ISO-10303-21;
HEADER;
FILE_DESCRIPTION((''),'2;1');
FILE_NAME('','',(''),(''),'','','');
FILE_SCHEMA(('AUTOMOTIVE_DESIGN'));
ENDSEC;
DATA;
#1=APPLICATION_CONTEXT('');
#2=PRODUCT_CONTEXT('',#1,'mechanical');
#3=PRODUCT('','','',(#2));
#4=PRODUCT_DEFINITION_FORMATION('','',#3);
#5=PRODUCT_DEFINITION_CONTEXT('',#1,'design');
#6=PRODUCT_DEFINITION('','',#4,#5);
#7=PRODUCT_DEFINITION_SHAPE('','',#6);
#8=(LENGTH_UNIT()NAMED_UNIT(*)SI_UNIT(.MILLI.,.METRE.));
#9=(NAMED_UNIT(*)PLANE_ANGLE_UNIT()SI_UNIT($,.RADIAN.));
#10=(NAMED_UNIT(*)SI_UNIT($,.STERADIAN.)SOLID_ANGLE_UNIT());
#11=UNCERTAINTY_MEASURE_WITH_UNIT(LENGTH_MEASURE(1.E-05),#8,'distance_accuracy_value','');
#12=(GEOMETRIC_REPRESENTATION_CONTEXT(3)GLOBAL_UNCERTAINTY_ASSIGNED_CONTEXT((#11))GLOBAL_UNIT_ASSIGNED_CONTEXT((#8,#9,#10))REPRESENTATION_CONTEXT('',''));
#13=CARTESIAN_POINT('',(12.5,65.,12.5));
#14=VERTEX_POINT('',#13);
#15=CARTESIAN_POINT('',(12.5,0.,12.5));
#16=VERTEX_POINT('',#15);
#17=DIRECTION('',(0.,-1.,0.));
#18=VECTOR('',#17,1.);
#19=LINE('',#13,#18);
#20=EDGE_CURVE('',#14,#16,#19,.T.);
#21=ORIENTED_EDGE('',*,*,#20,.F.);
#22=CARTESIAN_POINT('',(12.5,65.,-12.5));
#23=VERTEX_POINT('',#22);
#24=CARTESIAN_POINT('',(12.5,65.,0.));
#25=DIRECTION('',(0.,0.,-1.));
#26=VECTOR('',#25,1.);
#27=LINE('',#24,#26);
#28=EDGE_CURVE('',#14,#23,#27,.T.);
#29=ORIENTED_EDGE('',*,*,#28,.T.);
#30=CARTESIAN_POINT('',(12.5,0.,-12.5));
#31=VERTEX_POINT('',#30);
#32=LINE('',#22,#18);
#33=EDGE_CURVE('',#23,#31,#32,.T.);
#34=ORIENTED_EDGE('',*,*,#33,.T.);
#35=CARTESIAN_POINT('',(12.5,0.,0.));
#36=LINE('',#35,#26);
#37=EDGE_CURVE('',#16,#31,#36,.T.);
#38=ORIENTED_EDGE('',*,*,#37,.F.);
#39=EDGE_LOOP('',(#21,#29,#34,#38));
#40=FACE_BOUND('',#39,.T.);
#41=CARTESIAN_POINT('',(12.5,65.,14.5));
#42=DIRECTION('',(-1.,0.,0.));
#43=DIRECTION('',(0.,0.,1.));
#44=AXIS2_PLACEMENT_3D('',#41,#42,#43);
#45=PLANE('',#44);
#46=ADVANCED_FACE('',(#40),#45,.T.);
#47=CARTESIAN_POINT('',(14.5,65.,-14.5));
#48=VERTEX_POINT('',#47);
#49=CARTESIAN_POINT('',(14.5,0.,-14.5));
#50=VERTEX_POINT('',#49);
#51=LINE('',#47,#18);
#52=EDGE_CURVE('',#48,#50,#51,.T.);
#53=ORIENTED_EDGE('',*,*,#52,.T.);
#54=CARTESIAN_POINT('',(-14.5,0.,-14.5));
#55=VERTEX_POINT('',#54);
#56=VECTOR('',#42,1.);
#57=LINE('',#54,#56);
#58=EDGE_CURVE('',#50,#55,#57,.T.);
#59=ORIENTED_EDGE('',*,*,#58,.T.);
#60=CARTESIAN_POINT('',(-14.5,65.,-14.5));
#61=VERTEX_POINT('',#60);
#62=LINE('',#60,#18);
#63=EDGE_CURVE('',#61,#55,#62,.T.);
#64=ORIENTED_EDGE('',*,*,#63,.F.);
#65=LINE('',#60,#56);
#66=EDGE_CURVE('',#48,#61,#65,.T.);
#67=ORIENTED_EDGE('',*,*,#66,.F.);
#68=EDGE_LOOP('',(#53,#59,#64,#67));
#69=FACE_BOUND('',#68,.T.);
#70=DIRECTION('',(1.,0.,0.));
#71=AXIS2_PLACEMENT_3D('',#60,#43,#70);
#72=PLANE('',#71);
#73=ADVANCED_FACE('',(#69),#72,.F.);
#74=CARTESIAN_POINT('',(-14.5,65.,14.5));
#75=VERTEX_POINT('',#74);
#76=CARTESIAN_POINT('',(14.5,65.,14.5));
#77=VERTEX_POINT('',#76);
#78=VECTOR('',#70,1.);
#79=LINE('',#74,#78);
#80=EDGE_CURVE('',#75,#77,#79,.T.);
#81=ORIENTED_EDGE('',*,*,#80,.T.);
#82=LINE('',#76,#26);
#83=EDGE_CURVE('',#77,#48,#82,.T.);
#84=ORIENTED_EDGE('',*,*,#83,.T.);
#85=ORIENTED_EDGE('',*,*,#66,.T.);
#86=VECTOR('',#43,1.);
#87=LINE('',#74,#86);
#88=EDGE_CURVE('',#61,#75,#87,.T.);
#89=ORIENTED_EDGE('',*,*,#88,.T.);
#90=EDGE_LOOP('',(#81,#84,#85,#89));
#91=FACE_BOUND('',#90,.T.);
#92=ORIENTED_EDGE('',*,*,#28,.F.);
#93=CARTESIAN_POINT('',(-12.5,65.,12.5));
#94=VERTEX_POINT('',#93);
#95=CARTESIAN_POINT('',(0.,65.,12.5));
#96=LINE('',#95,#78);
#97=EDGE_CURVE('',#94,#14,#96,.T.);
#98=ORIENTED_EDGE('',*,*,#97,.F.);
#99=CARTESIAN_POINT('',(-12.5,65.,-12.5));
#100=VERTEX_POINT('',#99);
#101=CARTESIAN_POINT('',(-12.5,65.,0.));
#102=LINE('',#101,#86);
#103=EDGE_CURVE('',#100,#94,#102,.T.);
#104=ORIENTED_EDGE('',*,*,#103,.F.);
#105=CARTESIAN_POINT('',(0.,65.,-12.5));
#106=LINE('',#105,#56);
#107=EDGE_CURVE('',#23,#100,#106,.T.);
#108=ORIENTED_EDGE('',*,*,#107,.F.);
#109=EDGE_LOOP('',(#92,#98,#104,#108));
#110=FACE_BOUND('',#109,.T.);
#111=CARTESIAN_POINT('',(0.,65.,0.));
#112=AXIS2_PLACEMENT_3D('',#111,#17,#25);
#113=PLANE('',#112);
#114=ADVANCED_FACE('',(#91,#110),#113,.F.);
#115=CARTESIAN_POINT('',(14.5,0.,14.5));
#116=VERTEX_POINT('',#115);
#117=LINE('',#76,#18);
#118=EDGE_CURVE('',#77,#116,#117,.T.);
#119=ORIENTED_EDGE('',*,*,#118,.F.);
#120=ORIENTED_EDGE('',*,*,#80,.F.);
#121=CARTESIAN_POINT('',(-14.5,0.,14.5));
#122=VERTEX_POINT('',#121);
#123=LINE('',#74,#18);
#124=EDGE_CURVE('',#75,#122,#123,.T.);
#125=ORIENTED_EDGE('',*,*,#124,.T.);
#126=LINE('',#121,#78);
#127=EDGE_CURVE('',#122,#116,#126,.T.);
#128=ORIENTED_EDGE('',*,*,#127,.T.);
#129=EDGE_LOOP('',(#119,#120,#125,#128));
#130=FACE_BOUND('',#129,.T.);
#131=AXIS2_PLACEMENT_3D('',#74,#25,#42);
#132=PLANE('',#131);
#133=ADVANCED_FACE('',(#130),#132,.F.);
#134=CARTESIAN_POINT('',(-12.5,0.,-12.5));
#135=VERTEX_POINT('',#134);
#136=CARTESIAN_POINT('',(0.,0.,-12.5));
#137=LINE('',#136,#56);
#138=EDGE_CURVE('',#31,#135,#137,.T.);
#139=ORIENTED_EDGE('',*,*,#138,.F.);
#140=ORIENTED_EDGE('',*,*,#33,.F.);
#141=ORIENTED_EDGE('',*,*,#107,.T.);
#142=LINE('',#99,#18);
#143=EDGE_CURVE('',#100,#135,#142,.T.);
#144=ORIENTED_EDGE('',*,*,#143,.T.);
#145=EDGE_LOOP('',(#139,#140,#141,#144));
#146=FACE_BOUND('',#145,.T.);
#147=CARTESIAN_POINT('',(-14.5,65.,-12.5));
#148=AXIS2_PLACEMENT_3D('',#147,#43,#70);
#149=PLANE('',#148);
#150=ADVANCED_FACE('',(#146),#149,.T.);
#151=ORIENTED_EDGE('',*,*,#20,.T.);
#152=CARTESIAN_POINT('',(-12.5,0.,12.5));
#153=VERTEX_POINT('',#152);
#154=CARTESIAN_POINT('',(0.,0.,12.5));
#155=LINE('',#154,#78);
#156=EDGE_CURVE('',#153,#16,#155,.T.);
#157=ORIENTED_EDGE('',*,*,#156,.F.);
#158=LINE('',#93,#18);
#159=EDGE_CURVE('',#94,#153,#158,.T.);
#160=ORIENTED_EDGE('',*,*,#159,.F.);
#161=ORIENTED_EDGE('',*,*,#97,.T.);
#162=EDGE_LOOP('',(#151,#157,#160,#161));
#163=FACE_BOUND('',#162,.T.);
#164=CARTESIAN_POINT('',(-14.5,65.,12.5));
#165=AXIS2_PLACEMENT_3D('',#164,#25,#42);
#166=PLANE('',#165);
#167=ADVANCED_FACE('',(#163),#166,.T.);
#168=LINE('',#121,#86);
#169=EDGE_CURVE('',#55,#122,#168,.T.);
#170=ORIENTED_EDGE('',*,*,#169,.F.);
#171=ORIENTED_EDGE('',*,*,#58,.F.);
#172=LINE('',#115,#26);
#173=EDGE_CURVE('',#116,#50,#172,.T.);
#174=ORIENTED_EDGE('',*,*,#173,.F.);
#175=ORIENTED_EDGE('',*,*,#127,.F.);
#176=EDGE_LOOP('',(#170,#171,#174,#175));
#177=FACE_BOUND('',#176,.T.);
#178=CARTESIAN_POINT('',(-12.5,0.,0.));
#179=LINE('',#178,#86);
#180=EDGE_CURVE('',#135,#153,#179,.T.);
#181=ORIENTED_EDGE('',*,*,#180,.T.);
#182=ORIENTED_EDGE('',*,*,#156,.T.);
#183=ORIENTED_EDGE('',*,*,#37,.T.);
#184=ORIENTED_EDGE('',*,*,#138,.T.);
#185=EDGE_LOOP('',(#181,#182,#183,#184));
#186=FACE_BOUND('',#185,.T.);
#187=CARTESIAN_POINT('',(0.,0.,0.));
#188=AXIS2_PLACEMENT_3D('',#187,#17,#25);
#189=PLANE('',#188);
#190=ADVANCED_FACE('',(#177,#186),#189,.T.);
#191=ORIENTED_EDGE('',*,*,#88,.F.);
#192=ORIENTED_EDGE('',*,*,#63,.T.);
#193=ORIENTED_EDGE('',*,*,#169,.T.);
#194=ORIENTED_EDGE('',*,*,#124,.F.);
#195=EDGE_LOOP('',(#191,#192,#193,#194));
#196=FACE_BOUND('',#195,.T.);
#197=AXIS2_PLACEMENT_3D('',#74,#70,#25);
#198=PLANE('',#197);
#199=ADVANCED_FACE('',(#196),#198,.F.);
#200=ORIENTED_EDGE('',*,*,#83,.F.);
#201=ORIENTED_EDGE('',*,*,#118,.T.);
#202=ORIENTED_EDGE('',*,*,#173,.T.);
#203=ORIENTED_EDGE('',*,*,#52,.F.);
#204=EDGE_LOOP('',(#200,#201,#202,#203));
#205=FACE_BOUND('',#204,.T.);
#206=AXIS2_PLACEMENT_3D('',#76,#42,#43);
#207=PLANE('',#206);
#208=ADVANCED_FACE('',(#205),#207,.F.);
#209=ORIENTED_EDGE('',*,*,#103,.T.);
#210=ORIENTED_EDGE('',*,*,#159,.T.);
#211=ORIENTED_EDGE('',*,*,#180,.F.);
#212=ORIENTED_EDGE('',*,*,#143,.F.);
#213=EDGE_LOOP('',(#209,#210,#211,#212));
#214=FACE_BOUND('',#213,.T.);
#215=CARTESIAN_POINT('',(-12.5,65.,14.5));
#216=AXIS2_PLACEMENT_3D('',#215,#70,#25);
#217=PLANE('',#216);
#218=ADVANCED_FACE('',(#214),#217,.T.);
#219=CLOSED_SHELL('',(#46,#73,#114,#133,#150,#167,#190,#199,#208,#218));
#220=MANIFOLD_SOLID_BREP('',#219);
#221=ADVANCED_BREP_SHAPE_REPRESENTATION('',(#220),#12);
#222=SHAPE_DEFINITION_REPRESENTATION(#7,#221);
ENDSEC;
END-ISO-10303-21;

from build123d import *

# Parameters (mm, degrees)
SKETCH_1_W      = 29
SKETCH_1_H      = 29
EXTRUDE_1_DEPTH = 65
SHELL_1_T       = -2


with BuildPart() as part:
    # Эскиз1 → Бобышка-Вытянуть1 (new body)
    with BuildSketch(Plane(origin=(0, 0, 0), x_dir=(1, 0, 0), z_dir=(0, 1, 0))):
        Rectangle(SKETCH_1_W, SKETCH_1_H)
    extrude(amount=EXTRUDE_1_DEPTH)

    # Оболочка1
    shell_1_openings = [part.faces().sort_by_distance(p)[0] for p in [
        (0, 65, 0),
        (0, 0, 0),
    ]]
    offset(amount=SHELL_1_T, openings=shell_1_openings, kind=Kind.INTERSECTION)


solid = part.part
